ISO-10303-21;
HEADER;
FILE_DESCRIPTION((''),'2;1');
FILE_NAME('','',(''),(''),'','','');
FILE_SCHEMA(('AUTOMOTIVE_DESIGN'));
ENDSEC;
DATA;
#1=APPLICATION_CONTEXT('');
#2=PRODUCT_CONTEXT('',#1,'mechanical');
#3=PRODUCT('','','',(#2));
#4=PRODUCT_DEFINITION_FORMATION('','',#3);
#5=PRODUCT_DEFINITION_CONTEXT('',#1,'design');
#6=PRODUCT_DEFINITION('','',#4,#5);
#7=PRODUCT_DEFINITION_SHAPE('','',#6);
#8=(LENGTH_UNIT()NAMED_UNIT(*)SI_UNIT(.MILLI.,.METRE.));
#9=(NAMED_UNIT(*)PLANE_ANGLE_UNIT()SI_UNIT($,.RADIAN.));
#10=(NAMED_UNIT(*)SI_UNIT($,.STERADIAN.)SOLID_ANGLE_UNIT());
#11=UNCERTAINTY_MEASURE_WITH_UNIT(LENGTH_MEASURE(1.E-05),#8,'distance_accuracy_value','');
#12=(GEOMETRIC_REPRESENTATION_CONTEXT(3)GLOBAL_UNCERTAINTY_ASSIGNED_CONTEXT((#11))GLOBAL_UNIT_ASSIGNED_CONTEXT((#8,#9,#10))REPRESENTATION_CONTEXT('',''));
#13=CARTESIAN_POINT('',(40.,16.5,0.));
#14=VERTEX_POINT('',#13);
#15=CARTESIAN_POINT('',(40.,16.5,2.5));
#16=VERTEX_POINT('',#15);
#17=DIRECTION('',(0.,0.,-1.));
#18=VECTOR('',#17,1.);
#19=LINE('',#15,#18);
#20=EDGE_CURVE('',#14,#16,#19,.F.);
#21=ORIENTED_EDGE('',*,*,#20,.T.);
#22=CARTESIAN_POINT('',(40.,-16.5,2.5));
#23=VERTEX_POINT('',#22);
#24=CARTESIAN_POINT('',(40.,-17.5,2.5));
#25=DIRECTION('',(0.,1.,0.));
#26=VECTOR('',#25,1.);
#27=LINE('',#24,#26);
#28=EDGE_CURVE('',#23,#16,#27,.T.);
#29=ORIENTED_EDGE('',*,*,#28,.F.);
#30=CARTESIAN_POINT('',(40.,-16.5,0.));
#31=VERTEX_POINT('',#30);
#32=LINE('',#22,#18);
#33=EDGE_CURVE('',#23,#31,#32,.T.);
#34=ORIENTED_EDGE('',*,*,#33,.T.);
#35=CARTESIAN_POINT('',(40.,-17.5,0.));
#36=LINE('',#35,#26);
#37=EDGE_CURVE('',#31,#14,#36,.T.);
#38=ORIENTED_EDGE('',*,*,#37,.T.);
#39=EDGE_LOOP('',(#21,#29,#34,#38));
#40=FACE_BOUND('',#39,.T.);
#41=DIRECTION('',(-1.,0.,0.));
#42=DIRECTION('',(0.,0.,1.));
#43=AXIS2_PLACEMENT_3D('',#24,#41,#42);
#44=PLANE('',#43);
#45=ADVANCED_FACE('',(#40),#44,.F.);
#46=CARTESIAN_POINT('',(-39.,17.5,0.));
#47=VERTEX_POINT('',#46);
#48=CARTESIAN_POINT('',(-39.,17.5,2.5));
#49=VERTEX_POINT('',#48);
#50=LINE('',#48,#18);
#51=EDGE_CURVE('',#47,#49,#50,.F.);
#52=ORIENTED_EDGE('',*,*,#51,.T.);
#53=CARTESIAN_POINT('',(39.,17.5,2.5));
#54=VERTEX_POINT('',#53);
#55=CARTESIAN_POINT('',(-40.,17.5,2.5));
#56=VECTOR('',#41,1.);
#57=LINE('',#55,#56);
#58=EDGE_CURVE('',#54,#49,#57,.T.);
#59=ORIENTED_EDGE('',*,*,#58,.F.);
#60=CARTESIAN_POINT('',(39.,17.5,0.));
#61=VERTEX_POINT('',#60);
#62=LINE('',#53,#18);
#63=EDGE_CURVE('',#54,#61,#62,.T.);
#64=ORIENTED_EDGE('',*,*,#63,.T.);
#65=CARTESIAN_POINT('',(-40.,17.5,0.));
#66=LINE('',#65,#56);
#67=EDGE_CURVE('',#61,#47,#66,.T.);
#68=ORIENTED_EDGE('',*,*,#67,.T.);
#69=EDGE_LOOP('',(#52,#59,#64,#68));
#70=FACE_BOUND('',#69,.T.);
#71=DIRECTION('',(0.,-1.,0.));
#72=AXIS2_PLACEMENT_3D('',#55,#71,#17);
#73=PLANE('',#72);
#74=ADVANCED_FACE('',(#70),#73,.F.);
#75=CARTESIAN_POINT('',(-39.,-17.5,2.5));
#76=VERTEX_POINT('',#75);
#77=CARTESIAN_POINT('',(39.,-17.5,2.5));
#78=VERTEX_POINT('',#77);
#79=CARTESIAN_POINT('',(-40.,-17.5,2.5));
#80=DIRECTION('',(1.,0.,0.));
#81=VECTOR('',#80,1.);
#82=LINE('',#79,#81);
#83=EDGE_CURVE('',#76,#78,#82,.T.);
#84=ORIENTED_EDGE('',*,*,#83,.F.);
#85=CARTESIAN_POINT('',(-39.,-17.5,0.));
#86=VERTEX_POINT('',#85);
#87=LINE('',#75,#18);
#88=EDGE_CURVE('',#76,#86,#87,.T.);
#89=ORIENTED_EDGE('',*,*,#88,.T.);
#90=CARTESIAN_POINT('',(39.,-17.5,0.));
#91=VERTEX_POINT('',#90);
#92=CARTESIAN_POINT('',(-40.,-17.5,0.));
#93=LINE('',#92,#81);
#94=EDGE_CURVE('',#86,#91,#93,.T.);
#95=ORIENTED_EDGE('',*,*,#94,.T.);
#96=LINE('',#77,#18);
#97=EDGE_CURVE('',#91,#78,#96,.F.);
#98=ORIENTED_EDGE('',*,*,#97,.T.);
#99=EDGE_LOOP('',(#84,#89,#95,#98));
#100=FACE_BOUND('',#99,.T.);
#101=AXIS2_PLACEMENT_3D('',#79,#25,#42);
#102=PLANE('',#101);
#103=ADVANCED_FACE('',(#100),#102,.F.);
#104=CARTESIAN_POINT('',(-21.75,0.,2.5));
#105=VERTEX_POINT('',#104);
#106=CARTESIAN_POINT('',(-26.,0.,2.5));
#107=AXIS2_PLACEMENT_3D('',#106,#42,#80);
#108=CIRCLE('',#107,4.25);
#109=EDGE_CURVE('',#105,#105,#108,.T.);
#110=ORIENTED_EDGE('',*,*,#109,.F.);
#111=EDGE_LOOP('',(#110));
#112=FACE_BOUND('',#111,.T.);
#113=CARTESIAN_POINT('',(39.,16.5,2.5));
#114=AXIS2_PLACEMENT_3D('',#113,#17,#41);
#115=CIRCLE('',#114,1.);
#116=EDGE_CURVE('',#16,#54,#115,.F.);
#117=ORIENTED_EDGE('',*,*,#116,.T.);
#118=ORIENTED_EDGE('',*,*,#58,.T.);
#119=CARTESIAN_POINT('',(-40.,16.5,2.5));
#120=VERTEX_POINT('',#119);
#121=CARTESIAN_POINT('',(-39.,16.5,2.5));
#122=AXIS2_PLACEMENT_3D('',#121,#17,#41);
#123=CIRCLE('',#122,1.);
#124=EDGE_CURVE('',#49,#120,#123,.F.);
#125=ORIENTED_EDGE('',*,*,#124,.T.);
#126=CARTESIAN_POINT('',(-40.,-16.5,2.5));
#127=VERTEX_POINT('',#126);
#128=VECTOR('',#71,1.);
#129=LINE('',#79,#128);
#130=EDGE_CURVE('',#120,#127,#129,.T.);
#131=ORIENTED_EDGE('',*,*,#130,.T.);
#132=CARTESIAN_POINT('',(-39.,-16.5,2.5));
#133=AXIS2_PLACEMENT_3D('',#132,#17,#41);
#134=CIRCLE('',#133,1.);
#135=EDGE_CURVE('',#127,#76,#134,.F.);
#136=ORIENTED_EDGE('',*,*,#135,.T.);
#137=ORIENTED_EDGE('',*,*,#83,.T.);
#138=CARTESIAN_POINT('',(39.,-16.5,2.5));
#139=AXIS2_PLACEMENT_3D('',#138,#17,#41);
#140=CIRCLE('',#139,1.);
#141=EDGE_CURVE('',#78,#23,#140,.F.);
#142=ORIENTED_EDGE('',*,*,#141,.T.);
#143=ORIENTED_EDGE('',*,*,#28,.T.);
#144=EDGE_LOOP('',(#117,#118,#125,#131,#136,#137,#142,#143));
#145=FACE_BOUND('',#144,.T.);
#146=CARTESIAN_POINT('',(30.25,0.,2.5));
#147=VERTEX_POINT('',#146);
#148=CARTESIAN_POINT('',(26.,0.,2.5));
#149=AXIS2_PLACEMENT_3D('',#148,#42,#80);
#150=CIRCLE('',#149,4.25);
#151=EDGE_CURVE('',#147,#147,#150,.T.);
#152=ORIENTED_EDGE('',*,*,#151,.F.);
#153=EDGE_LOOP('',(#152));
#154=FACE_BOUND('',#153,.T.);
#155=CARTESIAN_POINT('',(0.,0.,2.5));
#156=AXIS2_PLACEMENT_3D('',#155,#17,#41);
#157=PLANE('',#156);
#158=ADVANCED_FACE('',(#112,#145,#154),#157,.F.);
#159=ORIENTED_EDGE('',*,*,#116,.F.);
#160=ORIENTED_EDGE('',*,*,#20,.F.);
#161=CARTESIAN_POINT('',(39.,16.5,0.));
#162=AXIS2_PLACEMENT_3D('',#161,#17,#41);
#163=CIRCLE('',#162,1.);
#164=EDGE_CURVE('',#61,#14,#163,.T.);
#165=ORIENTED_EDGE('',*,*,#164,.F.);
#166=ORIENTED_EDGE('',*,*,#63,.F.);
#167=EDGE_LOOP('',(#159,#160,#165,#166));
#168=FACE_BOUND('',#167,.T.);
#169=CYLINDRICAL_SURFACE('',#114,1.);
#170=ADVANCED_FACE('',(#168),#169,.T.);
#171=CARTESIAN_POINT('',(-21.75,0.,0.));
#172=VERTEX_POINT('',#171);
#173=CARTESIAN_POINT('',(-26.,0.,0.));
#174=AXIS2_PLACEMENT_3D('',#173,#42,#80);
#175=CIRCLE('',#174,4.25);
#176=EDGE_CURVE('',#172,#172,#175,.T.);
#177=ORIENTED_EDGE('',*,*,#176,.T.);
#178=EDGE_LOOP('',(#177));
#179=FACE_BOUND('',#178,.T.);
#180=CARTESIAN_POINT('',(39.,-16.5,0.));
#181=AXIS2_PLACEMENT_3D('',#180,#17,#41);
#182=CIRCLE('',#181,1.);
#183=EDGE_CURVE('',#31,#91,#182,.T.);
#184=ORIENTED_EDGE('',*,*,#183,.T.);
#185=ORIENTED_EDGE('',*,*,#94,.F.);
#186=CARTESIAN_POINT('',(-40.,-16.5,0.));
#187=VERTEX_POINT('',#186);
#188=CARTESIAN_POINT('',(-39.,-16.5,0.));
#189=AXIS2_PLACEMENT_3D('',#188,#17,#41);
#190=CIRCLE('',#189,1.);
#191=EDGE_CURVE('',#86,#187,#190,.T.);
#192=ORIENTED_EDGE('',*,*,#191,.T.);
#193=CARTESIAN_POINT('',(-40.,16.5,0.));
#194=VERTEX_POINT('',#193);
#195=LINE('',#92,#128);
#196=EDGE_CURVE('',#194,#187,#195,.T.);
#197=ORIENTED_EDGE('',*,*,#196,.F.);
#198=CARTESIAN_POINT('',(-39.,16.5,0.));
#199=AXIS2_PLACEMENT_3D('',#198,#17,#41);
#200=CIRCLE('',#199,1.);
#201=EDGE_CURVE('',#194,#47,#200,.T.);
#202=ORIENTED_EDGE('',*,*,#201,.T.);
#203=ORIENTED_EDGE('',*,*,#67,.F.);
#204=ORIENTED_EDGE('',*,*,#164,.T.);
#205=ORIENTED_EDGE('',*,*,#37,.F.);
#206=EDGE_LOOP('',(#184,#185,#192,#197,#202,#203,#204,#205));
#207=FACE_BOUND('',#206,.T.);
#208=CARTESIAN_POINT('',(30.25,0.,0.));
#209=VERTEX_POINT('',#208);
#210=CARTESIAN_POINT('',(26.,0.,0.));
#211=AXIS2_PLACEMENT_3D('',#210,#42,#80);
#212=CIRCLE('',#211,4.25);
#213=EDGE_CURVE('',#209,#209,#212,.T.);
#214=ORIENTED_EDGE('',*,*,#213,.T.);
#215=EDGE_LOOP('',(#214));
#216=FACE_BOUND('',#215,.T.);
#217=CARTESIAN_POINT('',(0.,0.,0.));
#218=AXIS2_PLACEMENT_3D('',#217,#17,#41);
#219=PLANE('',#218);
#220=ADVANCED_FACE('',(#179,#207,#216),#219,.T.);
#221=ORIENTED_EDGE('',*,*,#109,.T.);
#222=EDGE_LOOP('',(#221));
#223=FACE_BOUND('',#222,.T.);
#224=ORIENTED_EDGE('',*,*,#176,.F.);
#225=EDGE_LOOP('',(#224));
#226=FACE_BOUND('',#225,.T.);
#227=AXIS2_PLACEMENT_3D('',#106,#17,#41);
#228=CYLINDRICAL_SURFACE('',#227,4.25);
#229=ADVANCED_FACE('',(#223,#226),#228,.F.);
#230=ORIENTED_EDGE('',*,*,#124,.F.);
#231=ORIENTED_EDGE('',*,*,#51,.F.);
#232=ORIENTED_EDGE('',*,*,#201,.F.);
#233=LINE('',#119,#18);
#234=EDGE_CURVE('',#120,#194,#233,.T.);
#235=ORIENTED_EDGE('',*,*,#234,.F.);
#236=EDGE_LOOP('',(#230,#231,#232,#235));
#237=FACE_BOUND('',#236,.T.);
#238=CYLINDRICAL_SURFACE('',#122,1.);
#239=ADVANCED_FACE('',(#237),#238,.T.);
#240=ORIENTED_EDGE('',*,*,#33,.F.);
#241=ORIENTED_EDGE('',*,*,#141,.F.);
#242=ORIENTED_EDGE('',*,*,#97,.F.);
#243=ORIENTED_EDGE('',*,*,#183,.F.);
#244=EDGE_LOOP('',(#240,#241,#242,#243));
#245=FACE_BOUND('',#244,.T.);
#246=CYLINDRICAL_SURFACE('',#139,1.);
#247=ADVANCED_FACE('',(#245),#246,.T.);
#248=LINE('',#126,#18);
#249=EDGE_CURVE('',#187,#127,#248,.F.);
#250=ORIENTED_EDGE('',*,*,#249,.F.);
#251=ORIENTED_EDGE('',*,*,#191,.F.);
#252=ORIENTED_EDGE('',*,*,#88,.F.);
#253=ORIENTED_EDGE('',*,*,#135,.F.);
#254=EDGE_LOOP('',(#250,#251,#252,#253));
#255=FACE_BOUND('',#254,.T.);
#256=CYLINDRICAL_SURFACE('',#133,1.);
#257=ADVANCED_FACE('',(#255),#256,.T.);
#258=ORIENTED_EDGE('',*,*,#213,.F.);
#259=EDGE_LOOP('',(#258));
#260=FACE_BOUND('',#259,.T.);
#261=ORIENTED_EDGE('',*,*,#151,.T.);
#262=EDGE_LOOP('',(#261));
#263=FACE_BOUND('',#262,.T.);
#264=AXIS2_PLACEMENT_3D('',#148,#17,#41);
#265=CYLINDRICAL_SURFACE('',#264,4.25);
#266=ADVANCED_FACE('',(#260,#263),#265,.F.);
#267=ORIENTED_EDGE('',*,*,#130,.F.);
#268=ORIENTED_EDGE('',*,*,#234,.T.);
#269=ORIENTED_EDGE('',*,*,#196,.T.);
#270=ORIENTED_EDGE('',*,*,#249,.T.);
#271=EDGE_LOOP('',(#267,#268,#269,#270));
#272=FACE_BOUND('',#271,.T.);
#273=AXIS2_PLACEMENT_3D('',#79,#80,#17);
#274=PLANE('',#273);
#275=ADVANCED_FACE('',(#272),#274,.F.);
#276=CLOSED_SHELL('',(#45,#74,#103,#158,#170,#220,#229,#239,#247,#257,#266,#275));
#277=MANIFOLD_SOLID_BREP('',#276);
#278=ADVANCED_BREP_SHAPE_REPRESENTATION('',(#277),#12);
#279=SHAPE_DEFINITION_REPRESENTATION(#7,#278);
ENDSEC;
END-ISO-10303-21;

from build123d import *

# Parameters (mm, degrees)
SKETCH_1_W      = 80
SKETCH_1_H      = 35
SKETCH_1_R      = 4.25
EXTRUDE_1_DEPTH = 2.5
FILLET_1_R      = 1


with BuildPart() as part:
    # Эскиз1 → Бобышка-Вытянуть1 (new body)
    with BuildSketch(Plane.XY):
        Rectangle(SKETCH_1_W, SKETCH_1_H)
        with Locations((-26, 0)):
            Circle(SKETCH_1_R, mode=Mode.SUBTRACT)
        with Locations((26, 0)):
            Circle(SKETCH_1_R, mode=Mode.SUBTRACT)
    extrude(amount=EXTRUDE_1_DEPTH)

    # Скругление1
    fillet_1_edges = [part.edges().sort_by_distance(p)[0] for p in [
        (40, -17.5, 1.25),
        (-40, -17.5, 1.25),
        (-40, 17.5, 1.25),
        (40, 17.5, 1.25),
    ]]
    fillet(fillet_1_edges, radius=FILLET_1_R)


solid = part.part
